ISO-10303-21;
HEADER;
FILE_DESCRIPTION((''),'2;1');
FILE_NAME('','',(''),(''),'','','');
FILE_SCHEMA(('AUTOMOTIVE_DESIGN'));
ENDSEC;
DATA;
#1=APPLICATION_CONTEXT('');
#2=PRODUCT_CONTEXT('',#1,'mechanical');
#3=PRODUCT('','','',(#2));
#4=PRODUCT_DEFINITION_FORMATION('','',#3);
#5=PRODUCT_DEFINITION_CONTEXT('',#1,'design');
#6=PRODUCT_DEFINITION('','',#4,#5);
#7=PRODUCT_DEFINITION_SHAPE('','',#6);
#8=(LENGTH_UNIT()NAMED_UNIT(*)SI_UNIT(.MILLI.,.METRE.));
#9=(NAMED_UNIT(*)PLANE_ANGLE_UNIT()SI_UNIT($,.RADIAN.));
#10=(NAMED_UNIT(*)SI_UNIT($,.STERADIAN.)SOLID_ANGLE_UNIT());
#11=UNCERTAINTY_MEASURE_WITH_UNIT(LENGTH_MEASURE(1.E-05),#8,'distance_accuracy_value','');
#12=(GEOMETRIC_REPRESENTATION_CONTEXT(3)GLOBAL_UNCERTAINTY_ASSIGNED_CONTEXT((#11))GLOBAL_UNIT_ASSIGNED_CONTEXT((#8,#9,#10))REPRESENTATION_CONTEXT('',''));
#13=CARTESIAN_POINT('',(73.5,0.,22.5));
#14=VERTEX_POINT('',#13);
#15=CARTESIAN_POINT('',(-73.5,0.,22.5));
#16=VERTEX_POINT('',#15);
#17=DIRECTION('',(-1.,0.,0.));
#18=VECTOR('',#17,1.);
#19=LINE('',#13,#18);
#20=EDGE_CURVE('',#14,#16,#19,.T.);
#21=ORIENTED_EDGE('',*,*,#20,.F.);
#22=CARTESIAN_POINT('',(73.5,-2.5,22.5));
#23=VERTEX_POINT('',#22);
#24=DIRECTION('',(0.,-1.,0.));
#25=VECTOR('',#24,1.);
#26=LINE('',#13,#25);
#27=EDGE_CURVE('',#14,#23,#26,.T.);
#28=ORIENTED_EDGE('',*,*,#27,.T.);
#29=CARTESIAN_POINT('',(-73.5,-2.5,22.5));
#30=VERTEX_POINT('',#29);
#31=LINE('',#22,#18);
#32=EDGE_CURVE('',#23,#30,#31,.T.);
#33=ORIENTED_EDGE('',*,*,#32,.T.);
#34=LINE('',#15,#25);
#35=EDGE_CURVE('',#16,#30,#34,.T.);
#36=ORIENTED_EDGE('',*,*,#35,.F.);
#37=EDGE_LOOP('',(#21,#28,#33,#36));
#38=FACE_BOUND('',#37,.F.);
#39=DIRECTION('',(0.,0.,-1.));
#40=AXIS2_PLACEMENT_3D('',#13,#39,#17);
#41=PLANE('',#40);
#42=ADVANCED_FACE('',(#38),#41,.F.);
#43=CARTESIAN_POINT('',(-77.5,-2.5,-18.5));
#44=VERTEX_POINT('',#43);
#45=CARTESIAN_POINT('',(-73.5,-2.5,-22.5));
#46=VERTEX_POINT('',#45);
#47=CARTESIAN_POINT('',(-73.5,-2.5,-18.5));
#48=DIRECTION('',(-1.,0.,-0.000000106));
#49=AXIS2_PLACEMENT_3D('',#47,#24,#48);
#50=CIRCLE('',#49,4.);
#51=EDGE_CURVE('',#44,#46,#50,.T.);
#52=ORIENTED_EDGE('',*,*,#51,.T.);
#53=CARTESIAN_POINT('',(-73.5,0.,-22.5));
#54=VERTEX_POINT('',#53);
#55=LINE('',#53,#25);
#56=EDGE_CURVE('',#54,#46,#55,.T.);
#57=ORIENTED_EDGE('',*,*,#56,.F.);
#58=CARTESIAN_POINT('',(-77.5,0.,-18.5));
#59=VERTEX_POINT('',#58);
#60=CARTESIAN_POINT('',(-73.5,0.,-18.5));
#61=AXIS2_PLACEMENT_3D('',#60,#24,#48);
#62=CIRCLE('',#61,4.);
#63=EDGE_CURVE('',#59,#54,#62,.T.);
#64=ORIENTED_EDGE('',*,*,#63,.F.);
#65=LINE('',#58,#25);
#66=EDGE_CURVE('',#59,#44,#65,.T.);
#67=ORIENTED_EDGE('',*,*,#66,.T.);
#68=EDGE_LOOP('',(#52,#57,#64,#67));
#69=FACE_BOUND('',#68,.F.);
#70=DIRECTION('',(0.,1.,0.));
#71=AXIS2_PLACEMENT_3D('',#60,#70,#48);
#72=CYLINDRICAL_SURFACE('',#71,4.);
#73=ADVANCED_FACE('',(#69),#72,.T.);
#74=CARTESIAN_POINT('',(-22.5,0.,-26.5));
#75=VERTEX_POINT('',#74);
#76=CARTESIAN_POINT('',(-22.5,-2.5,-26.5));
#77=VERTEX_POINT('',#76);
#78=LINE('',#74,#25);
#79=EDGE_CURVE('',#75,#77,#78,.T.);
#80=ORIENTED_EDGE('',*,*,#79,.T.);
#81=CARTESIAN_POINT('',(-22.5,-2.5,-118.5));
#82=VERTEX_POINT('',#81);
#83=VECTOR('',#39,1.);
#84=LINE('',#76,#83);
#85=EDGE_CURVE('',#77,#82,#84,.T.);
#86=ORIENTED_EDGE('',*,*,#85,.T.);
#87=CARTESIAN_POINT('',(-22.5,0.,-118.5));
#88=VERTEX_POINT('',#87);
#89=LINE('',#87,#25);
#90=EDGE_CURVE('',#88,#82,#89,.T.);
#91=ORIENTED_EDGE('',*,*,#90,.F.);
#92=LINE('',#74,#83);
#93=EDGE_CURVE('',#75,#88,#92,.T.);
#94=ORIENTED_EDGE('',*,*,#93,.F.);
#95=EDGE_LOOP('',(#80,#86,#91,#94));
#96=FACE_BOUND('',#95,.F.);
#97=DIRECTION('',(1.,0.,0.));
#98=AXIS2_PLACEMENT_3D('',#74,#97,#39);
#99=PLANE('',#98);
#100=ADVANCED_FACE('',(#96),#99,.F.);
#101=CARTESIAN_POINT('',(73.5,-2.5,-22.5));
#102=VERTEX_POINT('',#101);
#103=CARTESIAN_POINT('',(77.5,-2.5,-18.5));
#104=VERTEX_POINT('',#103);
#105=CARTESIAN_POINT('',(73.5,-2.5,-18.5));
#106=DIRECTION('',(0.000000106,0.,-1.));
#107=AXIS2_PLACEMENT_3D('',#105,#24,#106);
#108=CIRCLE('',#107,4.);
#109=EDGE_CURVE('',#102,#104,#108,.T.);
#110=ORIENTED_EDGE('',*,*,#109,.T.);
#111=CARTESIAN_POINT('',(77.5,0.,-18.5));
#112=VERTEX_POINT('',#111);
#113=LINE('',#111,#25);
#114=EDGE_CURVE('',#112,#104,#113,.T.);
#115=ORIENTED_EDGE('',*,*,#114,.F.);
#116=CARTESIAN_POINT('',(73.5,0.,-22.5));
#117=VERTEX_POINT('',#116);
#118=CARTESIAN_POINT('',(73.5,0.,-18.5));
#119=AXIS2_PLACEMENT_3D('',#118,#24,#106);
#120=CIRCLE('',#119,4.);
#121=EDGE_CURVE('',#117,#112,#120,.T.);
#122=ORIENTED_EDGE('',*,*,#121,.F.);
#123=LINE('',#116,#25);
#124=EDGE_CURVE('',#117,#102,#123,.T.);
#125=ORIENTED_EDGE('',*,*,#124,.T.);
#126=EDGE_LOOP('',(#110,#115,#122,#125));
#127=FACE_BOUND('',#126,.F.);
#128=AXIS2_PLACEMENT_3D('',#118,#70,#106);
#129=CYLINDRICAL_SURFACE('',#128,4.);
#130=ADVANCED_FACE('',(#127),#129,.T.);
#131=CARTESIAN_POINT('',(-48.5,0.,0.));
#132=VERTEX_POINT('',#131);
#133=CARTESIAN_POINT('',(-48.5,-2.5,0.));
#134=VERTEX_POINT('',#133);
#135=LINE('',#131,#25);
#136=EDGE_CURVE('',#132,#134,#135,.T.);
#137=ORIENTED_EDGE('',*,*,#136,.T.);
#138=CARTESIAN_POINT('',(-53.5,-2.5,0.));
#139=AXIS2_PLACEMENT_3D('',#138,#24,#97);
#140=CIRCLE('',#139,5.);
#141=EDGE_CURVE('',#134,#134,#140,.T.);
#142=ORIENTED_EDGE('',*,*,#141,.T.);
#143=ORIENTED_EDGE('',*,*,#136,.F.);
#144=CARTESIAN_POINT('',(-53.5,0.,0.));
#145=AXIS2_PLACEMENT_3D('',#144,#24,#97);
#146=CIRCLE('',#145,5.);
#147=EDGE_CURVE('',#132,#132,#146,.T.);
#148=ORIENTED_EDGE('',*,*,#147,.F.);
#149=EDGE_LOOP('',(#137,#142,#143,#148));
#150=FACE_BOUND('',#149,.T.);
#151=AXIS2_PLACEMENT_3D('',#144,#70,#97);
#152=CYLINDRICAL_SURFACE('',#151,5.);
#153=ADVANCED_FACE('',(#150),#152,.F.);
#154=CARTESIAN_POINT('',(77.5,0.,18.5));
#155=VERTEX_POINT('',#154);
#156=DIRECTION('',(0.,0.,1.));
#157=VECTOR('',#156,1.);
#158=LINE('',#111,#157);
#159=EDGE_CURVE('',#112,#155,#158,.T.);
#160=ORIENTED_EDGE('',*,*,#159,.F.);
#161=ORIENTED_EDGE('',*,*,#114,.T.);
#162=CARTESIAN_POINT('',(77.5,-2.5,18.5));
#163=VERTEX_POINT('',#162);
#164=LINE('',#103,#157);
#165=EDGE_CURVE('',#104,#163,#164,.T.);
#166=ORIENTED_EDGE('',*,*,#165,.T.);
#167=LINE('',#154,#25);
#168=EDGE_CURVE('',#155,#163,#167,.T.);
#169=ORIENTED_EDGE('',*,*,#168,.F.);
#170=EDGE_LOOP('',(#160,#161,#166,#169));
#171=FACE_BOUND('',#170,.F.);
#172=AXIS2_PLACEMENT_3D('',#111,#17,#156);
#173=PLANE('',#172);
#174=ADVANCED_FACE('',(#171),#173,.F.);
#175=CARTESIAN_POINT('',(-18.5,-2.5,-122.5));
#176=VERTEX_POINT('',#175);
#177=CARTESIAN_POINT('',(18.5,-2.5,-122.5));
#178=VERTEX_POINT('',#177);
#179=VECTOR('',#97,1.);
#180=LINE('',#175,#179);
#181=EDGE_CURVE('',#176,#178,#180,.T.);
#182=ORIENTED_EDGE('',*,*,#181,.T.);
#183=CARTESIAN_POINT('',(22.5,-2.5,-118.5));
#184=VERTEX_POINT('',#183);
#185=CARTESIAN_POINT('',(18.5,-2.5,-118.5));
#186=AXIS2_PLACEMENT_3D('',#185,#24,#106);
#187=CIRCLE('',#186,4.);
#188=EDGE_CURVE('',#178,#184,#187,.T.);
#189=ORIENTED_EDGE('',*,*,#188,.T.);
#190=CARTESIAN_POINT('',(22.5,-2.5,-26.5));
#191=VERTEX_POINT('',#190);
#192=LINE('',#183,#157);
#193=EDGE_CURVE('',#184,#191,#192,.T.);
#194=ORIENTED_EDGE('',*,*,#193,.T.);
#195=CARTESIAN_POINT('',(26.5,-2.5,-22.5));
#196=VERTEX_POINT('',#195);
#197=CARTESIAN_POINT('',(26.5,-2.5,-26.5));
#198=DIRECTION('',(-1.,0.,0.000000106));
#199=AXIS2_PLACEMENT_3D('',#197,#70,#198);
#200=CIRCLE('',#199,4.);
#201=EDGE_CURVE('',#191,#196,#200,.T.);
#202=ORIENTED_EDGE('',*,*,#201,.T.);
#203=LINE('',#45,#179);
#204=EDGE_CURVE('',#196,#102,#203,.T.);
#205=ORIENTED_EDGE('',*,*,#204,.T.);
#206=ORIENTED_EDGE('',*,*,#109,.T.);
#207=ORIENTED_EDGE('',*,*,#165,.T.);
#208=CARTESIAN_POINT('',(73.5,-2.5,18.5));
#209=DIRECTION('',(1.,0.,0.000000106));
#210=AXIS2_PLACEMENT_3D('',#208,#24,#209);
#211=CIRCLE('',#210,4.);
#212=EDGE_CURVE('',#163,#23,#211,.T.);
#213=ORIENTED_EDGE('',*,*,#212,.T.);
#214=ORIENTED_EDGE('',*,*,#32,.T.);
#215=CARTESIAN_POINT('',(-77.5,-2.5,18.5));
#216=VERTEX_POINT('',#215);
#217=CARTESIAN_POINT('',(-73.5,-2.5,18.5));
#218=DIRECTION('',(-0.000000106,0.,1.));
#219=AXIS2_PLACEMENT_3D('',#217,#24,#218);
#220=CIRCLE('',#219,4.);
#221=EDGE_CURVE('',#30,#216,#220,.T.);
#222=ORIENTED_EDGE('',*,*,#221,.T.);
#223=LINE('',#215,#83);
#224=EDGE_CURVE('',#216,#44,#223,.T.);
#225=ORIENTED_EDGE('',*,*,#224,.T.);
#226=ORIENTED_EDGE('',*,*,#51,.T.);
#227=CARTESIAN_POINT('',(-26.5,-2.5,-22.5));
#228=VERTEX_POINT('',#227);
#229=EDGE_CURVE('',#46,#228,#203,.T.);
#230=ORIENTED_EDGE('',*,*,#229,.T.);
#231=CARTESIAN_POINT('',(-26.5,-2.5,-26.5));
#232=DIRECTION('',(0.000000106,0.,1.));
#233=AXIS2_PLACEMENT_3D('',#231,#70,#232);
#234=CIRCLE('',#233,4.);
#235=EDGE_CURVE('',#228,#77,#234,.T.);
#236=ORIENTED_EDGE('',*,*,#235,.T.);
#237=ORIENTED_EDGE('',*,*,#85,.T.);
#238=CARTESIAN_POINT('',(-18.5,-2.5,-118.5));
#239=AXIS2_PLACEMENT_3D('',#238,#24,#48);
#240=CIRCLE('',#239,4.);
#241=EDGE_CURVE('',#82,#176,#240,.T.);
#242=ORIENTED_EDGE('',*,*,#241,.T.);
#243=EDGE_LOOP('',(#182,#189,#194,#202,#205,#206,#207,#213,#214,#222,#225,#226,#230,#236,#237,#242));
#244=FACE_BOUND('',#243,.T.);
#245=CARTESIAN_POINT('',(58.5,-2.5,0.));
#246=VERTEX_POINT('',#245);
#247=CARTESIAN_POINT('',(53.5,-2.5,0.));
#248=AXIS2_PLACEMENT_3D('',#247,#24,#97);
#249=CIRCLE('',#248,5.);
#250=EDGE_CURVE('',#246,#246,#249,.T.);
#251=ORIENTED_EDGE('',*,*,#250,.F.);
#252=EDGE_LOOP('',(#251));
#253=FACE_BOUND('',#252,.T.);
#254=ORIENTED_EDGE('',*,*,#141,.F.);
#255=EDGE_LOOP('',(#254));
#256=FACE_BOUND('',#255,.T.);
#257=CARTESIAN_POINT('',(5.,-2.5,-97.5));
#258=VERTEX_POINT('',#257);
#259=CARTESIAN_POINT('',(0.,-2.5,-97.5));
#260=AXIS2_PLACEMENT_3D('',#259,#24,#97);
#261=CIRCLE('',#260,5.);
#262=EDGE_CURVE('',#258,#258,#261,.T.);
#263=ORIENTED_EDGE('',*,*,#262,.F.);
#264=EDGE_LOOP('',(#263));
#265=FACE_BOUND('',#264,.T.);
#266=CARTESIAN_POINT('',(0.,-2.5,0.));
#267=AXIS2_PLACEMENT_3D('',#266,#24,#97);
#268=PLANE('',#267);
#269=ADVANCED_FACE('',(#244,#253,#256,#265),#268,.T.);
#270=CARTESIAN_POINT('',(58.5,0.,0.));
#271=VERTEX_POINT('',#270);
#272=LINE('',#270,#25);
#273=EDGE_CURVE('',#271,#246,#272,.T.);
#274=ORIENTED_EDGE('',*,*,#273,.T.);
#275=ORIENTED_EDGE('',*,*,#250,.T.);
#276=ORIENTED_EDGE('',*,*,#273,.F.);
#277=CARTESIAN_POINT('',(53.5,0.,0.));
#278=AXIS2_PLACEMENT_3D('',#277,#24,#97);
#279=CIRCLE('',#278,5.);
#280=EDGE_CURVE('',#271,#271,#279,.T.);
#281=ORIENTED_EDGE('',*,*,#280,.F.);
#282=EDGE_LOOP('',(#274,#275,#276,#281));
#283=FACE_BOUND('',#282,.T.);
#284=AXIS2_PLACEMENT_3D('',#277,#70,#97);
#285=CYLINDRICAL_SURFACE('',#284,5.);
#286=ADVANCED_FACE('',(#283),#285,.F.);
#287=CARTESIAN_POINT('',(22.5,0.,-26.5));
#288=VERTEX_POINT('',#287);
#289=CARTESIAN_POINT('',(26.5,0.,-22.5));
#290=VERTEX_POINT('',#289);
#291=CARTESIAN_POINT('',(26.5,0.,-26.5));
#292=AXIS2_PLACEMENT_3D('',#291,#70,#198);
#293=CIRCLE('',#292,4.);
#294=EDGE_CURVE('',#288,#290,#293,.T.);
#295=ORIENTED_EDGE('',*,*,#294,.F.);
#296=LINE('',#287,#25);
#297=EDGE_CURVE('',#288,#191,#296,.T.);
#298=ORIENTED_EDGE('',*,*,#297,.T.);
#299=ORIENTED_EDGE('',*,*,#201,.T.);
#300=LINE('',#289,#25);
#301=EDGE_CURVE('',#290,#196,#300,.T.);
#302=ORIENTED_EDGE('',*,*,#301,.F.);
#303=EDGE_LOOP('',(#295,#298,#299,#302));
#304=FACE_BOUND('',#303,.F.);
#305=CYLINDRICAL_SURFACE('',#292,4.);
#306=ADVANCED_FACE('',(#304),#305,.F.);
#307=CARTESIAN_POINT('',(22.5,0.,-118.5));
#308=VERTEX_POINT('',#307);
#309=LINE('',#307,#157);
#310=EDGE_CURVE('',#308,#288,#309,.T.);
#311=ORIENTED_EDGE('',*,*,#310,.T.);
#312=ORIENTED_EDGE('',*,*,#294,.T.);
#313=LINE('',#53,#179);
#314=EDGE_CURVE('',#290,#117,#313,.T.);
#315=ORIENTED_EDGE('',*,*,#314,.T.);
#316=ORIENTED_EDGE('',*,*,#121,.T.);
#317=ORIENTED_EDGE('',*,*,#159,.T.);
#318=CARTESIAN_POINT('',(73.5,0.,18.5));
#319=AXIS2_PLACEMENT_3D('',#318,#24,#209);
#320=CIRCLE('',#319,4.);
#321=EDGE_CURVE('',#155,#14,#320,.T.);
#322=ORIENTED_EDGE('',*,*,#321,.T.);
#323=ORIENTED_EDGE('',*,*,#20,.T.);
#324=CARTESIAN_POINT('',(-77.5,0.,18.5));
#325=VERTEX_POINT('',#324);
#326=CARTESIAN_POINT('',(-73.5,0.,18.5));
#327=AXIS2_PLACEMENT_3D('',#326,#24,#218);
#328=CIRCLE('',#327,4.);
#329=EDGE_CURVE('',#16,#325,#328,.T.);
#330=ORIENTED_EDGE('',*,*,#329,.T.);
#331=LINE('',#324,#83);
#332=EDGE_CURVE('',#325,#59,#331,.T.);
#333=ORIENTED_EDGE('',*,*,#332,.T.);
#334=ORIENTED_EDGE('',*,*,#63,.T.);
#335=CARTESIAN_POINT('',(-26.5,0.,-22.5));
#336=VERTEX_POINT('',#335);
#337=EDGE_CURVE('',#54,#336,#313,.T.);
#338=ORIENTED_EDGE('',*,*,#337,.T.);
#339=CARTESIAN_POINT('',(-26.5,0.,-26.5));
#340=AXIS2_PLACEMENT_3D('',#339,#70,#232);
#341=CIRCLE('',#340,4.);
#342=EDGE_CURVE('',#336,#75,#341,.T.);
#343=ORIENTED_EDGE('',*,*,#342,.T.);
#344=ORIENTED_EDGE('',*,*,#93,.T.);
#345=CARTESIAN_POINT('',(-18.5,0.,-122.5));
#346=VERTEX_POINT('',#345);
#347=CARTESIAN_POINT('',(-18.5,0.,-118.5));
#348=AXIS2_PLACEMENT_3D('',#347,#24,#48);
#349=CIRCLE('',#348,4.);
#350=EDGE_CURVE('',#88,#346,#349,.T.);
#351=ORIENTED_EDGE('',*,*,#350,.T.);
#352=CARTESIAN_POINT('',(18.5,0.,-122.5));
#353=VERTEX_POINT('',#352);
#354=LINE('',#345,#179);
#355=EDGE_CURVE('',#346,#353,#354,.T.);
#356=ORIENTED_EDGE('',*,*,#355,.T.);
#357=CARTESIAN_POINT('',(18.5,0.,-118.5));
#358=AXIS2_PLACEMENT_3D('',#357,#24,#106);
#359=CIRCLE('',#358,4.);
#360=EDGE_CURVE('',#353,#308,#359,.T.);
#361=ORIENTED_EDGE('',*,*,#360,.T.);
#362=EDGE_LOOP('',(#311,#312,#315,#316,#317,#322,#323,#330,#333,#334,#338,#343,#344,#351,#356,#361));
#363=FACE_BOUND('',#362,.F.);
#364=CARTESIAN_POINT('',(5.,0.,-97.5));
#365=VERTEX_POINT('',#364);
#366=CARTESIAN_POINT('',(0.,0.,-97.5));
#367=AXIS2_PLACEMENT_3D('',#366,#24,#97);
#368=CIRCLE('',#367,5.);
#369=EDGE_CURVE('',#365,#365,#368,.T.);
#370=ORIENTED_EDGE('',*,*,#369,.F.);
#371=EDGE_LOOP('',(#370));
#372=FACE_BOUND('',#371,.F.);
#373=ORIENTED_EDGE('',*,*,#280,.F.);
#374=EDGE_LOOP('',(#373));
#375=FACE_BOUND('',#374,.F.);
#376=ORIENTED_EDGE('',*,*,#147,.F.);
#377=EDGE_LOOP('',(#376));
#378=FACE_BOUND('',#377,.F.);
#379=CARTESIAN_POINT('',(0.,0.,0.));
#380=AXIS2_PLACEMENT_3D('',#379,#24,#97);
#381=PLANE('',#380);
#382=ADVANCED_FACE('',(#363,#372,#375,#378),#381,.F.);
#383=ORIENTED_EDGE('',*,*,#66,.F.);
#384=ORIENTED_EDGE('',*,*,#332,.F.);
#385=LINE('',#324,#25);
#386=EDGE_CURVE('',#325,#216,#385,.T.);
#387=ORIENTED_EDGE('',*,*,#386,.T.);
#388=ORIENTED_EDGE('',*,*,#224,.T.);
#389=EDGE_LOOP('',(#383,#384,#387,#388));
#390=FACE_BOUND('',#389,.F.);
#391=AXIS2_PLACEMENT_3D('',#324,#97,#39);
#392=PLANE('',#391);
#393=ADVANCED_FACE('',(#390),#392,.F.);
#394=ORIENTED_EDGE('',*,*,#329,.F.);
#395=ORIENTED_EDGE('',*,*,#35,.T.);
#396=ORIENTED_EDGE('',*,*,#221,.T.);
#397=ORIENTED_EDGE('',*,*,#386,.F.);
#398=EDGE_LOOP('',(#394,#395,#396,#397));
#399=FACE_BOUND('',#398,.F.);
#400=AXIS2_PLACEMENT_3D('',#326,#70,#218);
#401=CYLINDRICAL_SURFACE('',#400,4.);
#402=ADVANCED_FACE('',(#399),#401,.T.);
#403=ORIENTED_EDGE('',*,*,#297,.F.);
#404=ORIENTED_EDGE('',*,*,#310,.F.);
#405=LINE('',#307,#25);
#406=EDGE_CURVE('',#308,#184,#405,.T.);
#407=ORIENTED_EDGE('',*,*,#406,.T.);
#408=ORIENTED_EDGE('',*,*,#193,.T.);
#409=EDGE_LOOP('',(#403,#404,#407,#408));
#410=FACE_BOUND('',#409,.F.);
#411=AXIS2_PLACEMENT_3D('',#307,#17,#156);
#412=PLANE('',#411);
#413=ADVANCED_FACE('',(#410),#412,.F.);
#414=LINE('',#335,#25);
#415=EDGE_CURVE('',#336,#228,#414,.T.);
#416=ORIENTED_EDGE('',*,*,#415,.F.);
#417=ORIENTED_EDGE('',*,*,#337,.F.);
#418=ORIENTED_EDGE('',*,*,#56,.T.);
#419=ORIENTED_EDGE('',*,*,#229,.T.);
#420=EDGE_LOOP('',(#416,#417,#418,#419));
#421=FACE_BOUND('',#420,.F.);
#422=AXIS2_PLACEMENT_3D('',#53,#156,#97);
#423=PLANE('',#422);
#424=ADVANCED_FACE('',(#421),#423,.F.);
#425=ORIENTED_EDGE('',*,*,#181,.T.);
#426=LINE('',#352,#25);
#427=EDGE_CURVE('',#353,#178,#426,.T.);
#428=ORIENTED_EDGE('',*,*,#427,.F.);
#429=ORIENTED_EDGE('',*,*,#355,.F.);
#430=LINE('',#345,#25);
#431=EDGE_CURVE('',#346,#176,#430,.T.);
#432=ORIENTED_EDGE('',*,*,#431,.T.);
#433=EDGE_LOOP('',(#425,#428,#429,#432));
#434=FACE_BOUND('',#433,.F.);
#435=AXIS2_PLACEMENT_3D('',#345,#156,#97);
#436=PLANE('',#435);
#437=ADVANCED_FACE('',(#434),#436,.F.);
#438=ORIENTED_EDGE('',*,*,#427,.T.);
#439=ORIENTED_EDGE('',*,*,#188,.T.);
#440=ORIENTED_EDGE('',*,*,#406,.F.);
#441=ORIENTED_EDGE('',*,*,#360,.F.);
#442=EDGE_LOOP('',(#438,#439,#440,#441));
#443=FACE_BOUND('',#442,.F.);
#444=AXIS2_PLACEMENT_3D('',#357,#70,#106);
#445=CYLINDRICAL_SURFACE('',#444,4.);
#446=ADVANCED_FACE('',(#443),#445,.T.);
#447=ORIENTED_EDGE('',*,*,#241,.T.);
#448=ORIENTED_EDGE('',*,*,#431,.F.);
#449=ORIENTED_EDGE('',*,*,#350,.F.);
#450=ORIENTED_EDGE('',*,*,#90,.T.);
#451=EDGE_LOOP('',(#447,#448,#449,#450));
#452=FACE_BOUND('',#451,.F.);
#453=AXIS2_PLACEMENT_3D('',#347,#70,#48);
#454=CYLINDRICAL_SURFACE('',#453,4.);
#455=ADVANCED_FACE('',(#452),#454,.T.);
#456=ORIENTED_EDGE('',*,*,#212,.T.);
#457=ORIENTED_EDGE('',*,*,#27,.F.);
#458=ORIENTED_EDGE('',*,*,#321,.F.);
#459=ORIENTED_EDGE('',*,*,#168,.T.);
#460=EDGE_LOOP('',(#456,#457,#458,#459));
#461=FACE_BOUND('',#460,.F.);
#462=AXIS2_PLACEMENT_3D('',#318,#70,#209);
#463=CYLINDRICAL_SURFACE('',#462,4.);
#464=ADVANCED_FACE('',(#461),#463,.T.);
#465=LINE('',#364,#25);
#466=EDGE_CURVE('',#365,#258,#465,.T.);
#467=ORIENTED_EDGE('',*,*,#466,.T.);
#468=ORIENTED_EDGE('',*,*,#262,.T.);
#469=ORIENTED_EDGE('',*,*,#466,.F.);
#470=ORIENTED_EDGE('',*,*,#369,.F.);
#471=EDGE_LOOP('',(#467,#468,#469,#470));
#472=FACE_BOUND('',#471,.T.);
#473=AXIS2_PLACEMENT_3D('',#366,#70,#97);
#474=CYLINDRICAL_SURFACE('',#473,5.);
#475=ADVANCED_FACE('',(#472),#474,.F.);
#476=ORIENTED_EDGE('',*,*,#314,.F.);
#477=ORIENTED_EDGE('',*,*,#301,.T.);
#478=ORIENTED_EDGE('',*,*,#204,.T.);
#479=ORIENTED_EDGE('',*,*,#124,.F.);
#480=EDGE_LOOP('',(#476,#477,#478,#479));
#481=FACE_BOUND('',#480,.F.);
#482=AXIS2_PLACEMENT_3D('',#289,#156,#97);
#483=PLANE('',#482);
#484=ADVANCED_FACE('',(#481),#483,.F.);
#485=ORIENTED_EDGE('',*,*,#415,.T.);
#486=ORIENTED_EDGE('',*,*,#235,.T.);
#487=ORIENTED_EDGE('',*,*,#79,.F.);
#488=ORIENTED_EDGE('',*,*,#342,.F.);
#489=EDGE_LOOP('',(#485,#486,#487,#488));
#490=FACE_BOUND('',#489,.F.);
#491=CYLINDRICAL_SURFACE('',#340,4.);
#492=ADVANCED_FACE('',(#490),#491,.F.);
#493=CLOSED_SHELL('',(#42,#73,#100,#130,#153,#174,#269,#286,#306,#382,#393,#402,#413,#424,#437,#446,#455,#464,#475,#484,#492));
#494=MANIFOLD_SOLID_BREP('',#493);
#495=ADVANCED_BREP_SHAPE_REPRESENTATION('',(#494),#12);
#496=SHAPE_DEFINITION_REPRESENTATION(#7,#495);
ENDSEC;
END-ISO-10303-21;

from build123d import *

# Parameters (mm, degrees)
F0_R     = 5
F1_DEPTH = 2.5


with BuildPart() as f1:
    # F0 (on Front) → F1 (new body)
    with BuildSketch(Plane.XZ):
        with BuildLine():
            ThreePointArc((77.5, 18.5), (76.328427, 21.328427), (73.5, 22.5))
            Line((73.5, 22.5), (-73.5, 22.5))
            ThreePointArc((-73.5, 22.5), (-76.328427, 21.328427), (-77.5, 18.5))
            Line((-77.5, 18.5), (-77.5, -18.5))
            ThreePointArc((-77.5, -18.5), (-76.328427, -21.328427), (-73.5, -22.5))
            Line((-73.5, -22.5), (-26.5, -22.5))
            Line((-26.5, -22.5), (22.5, -22.5))
            Line((22.5, -22.5), (26.5, -22.5))
            Line((26.5, -22.5), (73.5, -22.5))
            ThreePointArc((73.5, -22.5), (76.328427, -21.328427), (77.5, -18.5))
            Line((77.5, -18.5), (77.5, 18.5))
        make_face()
        with Locations((-53.5, 0)):
            Circle(F0_R, mode=Mode.SUBTRACT)
        with Locations((53.5, 0)):
            Circle(F0_R, mode=Mode.SUBTRACT)
        with BuildLine():
            ThreePointArc((22.5, -26.5), (23.671573, -23.671573), (26.5, -22.5))
            Line((26.5, -22.5), (22.5, -22.5))
            Line((22.5, -22.5), (-26.5, -22.5))
            ThreePointArc((-26.5, -22.5), (-23.671573, -23.671573), (-22.5, -26.5))
            Line((-22.5, -26.5), (-22.5, -118.5))
            ThreePointArc((-22.5, -118.5), (-21.328427, -121.328427), (-18.5, -122.5))
            Line((-18.5, -122.5), (18.5, -122.5))
            ThreePointArc((18.5, -122.5), (21.328427, -121.328427), (22.5, -118.5))
            Line((22.5, -118.5), (22.5, -26.5))
        make_face()
        with Locations((0, -97.5)):
            Circle(F0_R, mode=Mode.SUBTRACT)
    extrude(amount=F1_DEPTH)


solid = f1.part
